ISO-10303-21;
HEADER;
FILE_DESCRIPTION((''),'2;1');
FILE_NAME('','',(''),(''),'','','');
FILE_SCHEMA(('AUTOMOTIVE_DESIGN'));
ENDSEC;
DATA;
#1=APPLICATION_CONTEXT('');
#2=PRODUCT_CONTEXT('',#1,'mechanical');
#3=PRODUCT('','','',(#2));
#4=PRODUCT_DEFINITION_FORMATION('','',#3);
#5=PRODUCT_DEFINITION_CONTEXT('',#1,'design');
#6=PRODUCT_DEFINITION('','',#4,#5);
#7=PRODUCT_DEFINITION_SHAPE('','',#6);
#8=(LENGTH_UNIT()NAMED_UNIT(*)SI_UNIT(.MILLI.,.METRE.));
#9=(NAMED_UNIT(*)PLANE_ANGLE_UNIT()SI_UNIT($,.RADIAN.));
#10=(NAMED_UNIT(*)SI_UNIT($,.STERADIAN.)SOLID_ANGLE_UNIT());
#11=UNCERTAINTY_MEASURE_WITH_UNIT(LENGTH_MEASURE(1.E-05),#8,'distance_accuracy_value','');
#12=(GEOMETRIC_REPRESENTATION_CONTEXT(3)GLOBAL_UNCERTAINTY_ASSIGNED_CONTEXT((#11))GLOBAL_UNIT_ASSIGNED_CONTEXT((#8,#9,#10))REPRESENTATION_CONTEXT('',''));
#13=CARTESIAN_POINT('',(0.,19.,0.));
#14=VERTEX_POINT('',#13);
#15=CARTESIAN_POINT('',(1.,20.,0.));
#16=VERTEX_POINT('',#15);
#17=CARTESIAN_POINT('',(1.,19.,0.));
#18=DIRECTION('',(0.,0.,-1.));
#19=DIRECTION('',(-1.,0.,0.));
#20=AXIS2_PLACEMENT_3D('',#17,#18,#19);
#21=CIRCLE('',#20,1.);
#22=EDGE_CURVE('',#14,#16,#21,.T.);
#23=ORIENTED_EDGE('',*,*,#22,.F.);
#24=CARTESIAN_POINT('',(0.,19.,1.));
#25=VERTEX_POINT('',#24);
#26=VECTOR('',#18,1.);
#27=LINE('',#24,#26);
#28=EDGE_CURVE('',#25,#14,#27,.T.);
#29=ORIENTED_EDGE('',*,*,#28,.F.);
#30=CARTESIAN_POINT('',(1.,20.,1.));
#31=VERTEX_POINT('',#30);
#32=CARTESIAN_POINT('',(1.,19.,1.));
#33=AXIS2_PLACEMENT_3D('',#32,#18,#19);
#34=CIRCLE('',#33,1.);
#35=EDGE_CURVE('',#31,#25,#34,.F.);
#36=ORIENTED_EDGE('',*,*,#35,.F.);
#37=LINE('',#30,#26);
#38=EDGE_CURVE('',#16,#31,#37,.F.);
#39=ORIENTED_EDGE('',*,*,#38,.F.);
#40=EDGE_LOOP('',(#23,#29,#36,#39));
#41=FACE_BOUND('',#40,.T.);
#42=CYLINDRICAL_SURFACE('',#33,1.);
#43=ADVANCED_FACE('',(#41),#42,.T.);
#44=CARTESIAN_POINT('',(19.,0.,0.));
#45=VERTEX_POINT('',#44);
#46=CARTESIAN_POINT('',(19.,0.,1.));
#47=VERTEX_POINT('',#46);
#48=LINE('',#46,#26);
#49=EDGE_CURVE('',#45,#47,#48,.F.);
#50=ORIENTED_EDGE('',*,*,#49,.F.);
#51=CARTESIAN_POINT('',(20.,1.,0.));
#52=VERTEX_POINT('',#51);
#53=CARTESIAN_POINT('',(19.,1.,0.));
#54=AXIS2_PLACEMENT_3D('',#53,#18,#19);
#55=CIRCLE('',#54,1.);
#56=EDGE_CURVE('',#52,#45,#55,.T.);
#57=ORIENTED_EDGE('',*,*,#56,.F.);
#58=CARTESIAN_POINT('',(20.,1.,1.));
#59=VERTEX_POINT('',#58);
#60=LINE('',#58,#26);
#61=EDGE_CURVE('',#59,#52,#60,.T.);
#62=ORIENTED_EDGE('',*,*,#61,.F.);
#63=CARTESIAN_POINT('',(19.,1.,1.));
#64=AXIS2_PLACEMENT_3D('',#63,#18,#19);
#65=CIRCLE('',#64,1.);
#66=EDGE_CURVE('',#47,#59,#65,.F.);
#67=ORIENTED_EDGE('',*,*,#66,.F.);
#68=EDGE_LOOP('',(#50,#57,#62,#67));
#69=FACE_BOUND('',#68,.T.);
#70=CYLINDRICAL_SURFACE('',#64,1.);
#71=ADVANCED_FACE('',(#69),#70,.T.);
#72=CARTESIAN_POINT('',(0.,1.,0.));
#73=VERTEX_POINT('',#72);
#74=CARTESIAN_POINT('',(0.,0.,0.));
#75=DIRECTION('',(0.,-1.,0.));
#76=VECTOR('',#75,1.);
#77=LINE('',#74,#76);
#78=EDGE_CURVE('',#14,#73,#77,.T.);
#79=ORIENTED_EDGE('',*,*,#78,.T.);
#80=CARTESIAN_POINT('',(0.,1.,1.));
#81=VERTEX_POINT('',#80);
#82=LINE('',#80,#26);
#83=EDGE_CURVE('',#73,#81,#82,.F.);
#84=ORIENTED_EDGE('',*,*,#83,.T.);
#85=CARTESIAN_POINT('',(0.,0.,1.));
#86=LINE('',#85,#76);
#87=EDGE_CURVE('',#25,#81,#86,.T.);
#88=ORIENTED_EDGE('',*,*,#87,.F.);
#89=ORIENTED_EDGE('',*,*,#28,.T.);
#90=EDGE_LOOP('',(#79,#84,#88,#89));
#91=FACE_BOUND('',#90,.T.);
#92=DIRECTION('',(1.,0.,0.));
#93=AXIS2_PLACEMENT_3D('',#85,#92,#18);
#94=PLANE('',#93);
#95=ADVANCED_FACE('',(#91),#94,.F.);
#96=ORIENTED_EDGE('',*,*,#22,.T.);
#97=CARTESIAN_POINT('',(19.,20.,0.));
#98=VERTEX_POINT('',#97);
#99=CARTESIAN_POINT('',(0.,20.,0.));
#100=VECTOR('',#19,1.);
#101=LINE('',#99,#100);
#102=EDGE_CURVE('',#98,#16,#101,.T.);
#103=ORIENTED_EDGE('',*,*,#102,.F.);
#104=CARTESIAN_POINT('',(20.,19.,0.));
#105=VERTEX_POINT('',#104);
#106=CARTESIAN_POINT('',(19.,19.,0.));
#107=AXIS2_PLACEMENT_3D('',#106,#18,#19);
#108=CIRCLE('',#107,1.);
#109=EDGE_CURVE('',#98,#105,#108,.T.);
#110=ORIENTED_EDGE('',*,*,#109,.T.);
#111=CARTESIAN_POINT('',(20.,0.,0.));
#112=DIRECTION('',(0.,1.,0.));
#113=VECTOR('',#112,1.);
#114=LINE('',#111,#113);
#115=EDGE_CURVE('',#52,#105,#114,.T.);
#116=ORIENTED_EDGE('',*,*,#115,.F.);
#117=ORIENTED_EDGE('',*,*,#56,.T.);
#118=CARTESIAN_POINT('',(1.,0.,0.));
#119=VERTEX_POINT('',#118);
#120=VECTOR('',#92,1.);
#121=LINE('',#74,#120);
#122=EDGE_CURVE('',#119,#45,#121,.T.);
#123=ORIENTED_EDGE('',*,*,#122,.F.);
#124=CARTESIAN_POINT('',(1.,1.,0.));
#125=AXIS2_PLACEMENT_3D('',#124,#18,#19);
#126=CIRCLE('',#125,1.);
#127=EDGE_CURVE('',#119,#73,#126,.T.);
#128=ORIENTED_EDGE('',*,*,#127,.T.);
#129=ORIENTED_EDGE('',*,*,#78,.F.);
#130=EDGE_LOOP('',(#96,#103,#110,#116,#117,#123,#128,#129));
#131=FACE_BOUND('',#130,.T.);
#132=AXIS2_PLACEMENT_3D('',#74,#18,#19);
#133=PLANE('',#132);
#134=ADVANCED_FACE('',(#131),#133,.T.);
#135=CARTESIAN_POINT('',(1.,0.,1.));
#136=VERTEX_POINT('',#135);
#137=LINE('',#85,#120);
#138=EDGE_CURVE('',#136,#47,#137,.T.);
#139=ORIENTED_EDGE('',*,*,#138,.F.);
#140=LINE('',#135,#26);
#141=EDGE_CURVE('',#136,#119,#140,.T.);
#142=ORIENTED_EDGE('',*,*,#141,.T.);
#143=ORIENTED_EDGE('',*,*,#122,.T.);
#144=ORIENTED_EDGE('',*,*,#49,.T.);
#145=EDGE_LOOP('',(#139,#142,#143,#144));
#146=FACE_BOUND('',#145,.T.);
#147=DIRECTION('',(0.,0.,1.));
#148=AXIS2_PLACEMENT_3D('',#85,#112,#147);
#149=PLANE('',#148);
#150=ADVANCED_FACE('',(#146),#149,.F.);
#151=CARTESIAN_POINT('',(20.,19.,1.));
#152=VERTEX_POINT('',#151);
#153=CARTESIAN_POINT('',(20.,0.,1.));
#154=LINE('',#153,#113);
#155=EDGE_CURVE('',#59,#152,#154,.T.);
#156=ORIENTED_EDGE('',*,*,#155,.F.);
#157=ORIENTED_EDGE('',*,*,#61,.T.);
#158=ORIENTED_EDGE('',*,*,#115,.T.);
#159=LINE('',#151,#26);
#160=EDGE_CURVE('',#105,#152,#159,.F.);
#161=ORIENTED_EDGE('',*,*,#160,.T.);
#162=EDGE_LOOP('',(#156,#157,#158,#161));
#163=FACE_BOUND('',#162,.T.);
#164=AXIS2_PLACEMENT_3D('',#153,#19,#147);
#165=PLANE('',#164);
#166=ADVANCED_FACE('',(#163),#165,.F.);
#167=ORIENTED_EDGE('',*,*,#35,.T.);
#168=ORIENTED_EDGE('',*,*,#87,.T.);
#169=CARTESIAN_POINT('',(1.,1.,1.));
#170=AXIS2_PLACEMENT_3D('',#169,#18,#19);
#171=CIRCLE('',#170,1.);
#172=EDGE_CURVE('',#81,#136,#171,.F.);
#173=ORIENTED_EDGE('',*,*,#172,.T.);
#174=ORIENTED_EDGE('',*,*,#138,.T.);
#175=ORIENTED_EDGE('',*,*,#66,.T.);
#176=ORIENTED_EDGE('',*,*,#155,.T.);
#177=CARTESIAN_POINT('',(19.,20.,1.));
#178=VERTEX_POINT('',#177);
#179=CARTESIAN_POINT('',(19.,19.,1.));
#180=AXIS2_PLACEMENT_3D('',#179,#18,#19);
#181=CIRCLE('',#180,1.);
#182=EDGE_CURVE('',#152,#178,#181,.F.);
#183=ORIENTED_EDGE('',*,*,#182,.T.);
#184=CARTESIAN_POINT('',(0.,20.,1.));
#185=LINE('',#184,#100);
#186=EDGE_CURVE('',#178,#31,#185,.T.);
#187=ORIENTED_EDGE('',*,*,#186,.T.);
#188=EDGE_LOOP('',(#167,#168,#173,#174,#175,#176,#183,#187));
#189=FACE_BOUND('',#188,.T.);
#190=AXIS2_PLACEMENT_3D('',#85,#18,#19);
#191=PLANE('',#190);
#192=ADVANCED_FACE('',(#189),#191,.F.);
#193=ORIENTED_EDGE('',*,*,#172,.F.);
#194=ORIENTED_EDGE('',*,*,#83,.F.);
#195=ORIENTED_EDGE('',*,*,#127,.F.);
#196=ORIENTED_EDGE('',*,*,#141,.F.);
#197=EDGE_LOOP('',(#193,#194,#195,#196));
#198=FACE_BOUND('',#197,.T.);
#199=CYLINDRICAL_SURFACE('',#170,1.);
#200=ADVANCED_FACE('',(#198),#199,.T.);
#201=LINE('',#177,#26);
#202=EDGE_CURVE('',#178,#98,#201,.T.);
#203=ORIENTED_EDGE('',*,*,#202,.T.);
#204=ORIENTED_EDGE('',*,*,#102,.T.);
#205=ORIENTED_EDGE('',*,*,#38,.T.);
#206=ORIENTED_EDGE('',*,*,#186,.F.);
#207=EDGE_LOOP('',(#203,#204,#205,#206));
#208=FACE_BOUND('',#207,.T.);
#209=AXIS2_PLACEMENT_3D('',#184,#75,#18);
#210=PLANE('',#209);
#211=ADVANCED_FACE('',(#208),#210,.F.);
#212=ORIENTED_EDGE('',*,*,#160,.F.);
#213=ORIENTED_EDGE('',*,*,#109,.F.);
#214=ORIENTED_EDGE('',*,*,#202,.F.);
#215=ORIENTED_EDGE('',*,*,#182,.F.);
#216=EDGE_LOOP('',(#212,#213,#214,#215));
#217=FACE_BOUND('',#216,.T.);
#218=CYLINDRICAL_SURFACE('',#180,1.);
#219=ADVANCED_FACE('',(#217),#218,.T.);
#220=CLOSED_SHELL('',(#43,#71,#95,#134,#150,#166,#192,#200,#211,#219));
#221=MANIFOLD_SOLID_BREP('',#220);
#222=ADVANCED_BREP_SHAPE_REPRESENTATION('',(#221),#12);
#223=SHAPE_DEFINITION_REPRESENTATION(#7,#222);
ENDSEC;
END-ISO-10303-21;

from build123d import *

# Parameters (mm, degrees)
SKETCH1_W           = 20
SKETCH1_H           = 20
BOSS_EXTRUDE1_DEPTH = 1
FILLET1_R           = 1


with BuildPart() as part:
    # Sketch1 → Boss-Extrude1 (new body)
    with BuildSketch(Plane.XY):
        with Locations((10, 10)):
            Rectangle(SKETCH1_W, SKETCH1_H)
    extrude(amount=BOSS_EXTRUDE1_DEPTH)

    # Fillet1
    fillet1_edges = [part.edges().sort_by_distance(p)[0] for p in [
        (0, 20, 0.5),
        (20, 20, 0.5),
        (20, 0, 0.5),
        (0, 0, 0.5),
    ]]
    fillet(fillet1_edges, radius=FILLET1_R)


solid = part.part
